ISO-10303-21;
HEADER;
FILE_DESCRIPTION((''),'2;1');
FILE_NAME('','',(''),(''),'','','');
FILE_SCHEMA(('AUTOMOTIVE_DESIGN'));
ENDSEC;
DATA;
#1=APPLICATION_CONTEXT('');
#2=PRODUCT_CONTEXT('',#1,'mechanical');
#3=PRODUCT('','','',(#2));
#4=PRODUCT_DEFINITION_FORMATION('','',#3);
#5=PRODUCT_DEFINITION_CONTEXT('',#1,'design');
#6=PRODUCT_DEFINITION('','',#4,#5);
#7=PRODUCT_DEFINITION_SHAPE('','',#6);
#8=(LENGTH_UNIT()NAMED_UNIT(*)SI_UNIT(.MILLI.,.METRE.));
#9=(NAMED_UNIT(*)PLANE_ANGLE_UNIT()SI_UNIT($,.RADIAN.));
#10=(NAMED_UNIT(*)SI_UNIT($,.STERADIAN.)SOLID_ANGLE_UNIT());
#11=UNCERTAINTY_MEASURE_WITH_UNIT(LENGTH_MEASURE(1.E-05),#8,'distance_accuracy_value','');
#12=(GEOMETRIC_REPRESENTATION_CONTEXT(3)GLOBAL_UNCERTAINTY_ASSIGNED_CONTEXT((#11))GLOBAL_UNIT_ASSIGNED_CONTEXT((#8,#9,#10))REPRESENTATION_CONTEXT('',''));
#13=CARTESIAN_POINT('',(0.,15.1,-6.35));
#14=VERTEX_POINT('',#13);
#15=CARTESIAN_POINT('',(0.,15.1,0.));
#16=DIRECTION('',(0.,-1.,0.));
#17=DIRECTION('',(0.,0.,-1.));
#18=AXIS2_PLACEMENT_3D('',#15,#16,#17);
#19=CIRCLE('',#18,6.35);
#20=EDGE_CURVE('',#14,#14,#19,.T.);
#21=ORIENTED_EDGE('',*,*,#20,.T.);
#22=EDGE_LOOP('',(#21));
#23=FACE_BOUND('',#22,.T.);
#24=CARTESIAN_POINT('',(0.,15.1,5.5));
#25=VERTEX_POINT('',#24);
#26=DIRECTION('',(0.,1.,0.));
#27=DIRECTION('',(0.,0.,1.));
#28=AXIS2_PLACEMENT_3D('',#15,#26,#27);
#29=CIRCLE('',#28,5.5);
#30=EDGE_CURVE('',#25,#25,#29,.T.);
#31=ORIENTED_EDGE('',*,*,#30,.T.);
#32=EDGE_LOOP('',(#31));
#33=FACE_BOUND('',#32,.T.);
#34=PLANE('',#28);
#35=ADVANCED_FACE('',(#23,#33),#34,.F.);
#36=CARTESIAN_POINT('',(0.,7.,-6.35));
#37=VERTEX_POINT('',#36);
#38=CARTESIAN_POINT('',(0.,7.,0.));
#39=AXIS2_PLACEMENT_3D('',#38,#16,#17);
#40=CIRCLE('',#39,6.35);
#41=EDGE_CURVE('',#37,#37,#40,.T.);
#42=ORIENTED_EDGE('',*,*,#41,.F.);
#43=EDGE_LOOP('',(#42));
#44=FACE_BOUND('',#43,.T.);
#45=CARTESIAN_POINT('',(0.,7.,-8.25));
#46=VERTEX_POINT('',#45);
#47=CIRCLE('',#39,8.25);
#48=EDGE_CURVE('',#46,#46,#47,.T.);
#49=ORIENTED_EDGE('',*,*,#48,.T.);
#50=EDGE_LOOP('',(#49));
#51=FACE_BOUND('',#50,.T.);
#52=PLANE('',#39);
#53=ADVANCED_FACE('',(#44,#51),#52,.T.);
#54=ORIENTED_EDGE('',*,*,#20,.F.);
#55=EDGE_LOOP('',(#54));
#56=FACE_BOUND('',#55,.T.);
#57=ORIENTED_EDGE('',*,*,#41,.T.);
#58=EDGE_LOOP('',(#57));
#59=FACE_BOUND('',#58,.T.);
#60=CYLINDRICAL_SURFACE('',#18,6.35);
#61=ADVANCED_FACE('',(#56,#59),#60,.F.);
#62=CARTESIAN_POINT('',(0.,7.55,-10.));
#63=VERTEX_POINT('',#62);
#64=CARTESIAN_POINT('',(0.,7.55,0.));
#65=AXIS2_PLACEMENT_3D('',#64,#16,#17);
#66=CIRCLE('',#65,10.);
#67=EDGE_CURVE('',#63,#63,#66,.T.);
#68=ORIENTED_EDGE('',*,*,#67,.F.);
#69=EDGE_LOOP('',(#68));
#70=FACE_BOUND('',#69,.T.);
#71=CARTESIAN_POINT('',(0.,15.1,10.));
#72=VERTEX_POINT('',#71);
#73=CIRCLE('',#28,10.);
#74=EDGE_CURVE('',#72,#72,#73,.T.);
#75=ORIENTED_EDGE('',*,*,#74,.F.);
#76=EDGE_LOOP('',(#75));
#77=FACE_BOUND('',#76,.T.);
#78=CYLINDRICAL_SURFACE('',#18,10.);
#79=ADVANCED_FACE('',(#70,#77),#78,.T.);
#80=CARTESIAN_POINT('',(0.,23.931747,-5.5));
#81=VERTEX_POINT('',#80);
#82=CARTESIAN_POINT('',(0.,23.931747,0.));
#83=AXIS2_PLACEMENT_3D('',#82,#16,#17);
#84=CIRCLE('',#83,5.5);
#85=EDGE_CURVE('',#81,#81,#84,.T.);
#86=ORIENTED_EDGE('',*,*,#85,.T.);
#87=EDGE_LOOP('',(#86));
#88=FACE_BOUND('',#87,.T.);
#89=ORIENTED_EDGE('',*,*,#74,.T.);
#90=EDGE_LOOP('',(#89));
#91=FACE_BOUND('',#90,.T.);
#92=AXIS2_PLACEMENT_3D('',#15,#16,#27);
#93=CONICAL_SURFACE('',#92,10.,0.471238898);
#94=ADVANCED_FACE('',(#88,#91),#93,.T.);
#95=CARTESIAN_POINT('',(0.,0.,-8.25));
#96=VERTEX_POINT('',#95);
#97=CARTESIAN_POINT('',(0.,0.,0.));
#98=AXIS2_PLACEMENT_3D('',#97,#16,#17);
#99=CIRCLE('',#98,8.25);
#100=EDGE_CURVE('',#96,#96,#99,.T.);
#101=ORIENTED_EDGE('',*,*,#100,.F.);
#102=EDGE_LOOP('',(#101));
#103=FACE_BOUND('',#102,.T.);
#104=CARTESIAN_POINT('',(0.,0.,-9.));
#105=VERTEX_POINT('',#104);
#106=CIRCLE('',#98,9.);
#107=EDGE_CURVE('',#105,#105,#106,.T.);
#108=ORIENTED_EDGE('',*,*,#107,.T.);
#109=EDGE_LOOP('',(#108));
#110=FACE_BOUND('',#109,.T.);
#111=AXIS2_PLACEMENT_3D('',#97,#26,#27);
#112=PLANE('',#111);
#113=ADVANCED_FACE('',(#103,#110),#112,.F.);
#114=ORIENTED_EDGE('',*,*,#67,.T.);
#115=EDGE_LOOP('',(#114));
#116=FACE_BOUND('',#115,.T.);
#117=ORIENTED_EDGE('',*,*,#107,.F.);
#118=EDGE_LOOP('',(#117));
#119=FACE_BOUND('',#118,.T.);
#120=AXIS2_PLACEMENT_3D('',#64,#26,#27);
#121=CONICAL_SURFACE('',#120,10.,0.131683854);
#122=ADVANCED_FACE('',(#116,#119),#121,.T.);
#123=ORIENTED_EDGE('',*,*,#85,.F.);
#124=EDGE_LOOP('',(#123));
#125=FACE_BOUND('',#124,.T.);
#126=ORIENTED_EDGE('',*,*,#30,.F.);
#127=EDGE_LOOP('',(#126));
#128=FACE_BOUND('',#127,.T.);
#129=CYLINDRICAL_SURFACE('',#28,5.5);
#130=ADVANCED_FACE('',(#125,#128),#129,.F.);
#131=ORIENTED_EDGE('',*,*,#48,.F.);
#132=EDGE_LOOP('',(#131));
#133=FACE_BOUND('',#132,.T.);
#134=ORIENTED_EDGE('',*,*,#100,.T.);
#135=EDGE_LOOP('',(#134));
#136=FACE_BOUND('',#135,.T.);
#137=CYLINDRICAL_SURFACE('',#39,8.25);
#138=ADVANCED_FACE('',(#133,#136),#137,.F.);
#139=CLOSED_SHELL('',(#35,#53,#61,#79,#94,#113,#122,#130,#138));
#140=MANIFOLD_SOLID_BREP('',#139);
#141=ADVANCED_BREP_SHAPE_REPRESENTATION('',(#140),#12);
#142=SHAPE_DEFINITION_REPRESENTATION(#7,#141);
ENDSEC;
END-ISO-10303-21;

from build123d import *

# Parameters (mm, degrees)
SKETCH1_R           = 10
BOSS_EXTRUDE1_DEPTH = 15.1
SKETCH2_R           = 8.25
CUT_EXTRUDE1_DEPTH  = 7
SKETCH3_R           = 6.35
CUT_EXTRUDE2_DEPTH  = 8.1
SKETCH7_R           = 10
BOSS_EXTRUDE2_DEPTH = 10
BOSS_EXTRUDE2_TAPER = 27
SKETCH8_R           = 5.5
CUT_EXTRUDE3_DEPTH  = 10


with BuildPart() as part:
    # Sketch1 → Boss-Extrude1 (new body)
    with BuildSketch(Plane(origin=(0, 0, 0), x_dir=(1, 0, 0), z_dir=(0, 1, 0))):
        with Locations(Location((0, 0, 0), (0, 0, 270))):
            Circle(SKETCH1_R)
    extrude(amount=BOSS_EXTRUDE1_DEPTH)

    # Sketch2 → Cut-Extrude1 (cut)
    with BuildSketch(Plane(origin=(0, 0, 0), x_dir=(-1, 0, 0), z_dir=(0, -1, 0))):
        with Locations(Location((0, 0, 0), (0, 0, 90))):
            Circle(SKETCH2_R)
    extrude(amount=-CUT_EXTRUDE1_DEPTH, mode=Mode.SUBTRACT)

    # Sketch3 → Cut-Extrude2 (cut)
    with BuildSketch(Plane.XZ.offset(-7)):
        with Locations(Location((0, 0, 0), (0, 0, 270))):
            Circle(SKETCH3_R)
    extrude(amount=-CUT_EXTRUDE2_DEPTH, mode=Mode.SUBTRACT)

    # Sketch7 → Boss-Extrude2 (add)
    with BuildSketch(Plane(origin=(0, 15.1, 0), x_dir=(1, 0, 0), z_dir=(0, 1, 0))):
        with Locations(Location((0, 0, 0), (0, 0, 270))):
            Circle(SKETCH7_R)
    extrude(amount=BOSS_EXTRUDE2_DEPTH, taper=BOSS_EXTRUDE2_TAPER)

    # Sketch8 → Cut-Extrude3 (cut)
    with BuildSketch(Plane(origin=(0, 25.1, 0), x_dir=(1, 0, 0), z_dir=(0, 1, 0))):
        with Locations(Location((0, 0, 0), (0, 0, 270))):
            Circle(SKETCH8_R)
    extrude(amount=-CUT_EXTRUDE3_DEPTH, mode=Mode.SUBTRACT)

    # Sketch9 → Cut-Revolve1 (revolve, cut)
    with BuildSketch(Plane.XY, mode=Mode.PRIVATE) as cut_revolve1_sk:
        Polygon((10, 0), (10, 7.55), (9, 0), align=None)
    revolve(cut_revolve1_sk.sketch.rotate(Axis((0, -5.35411367, 0), (0, 1, 0)), 90), axis=Axis((0, -5.35411367, 0), (0, 1, 0)), mode=Mode.SUBTRACT)


solid = part.part
